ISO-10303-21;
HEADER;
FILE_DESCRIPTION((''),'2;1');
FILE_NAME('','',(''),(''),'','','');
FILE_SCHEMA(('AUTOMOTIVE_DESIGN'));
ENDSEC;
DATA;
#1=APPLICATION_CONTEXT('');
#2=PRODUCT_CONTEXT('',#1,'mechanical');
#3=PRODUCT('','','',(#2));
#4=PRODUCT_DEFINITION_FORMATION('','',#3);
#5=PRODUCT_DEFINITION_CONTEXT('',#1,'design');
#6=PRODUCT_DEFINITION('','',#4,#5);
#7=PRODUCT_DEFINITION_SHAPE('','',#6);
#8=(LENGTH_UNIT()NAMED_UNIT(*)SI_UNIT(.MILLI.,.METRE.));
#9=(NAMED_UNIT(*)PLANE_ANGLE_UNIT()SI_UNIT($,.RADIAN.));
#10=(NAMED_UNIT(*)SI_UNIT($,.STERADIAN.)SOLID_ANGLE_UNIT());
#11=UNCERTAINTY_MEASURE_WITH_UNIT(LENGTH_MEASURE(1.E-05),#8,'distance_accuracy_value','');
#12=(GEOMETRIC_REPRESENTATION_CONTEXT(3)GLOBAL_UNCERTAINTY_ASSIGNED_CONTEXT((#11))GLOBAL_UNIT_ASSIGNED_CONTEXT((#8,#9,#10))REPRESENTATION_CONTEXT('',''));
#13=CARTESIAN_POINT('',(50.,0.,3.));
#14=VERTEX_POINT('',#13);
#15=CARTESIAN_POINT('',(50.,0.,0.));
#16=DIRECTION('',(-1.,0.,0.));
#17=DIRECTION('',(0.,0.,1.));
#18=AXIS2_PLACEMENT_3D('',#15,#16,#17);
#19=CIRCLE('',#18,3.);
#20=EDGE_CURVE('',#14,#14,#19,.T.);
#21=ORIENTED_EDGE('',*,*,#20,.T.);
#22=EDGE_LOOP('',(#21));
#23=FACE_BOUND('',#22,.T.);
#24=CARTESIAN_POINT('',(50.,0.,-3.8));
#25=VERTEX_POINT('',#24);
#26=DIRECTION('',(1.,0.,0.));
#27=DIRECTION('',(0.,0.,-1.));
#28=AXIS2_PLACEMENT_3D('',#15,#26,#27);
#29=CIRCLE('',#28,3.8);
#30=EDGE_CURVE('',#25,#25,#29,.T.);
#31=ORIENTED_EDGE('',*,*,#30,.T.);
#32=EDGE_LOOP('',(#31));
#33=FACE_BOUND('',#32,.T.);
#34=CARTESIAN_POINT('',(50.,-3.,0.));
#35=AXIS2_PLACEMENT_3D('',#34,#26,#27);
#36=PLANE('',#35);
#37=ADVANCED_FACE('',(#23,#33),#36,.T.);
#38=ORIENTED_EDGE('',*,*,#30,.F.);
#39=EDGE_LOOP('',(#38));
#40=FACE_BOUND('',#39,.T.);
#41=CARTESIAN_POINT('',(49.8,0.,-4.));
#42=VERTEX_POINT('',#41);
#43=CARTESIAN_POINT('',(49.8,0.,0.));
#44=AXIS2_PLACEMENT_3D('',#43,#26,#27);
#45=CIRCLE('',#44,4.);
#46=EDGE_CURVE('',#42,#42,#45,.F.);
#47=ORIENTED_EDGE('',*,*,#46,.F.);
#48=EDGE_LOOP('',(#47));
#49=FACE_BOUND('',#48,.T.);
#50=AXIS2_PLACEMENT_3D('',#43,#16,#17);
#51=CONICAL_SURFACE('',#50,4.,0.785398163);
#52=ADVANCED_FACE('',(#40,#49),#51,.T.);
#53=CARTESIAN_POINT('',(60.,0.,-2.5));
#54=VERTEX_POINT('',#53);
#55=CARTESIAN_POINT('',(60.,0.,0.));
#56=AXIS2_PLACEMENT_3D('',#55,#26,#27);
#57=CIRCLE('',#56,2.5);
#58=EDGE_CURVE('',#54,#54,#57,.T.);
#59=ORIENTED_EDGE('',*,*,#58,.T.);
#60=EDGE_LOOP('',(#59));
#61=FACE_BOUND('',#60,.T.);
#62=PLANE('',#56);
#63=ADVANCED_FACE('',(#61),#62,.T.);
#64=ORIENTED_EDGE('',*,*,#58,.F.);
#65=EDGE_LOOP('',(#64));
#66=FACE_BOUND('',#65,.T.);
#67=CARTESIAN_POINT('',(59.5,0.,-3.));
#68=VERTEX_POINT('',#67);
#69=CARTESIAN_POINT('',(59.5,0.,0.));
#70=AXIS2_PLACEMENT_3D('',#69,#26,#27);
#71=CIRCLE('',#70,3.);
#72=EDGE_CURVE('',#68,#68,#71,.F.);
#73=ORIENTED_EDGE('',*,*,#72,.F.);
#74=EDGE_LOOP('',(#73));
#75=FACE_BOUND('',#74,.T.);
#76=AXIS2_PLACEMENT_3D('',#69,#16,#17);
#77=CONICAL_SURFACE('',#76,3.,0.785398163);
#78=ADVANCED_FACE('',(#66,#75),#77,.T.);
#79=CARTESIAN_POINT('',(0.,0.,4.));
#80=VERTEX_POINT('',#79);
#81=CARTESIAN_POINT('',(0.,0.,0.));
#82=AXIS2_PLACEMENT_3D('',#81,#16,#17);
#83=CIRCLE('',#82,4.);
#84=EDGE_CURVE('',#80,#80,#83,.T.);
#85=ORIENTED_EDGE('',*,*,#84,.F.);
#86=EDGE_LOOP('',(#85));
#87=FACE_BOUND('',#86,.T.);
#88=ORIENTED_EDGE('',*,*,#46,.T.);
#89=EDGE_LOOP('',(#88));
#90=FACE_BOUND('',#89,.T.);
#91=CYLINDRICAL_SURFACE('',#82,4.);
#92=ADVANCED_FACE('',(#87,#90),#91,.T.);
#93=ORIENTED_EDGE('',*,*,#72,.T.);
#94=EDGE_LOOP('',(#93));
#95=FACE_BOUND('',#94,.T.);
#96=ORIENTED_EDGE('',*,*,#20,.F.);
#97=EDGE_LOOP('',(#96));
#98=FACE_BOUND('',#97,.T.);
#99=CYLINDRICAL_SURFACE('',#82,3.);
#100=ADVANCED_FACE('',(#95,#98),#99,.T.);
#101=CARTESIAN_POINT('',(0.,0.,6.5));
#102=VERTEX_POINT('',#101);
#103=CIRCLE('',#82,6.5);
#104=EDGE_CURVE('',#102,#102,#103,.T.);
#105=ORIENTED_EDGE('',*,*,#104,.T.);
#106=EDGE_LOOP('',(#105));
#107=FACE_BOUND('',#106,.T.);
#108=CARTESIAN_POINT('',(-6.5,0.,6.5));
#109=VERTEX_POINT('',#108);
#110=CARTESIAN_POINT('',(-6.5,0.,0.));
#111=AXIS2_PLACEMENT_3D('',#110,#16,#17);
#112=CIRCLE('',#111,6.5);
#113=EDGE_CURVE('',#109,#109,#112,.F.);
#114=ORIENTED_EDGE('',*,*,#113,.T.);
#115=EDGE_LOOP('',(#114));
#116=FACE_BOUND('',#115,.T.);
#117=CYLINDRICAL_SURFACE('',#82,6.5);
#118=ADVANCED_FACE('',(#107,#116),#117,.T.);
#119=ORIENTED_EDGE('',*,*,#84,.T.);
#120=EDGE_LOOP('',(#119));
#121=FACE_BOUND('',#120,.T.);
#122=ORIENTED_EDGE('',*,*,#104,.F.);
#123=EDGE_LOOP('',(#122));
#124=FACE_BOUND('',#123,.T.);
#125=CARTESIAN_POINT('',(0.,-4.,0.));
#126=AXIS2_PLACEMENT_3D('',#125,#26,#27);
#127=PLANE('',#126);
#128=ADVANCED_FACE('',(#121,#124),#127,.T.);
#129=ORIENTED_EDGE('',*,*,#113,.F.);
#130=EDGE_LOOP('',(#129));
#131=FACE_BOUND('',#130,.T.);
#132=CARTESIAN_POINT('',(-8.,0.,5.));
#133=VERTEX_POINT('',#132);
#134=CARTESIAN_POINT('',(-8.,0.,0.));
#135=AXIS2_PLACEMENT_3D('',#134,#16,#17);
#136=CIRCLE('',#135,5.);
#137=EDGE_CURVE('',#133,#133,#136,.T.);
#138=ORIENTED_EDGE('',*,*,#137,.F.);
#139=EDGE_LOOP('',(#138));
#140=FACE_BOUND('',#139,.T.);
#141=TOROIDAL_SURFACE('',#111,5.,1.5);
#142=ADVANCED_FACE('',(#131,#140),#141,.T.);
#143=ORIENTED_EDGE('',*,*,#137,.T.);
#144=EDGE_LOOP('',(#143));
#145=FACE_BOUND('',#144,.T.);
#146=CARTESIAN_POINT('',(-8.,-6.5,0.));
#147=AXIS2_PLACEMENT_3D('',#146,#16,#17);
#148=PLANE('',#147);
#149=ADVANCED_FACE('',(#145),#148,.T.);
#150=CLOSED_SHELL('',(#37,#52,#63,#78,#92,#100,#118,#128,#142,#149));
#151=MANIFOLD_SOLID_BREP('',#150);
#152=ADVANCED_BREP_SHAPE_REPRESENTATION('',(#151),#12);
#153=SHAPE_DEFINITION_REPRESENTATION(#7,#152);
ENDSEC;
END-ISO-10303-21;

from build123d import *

# Parameters (mm, degrees)
CHANFREIN1_SIZE = 0.5
CONG_1_R        = 1.5
CHANFREIN2_SIZE = 0.2


with BuildPart() as part:
    # Esquisse1 → Base-Révolution (revolve)
    with BuildSketch(Plane.XY, mode=Mode.PRIVATE) as base_r_volution_sk:
        Polygon((60, 0), (60, -3), (50, -3), (50, -4), (0, -4), (0, -6.5), (-8, -6.5), (-8, 0), align=None)
    revolve(base_r_volution_sk.sketch.rotate(Axis((0, 0, 0), (1, 0, 0)), 270), axis=Axis((0, 0, 0), (1, 0, 0)))

    # Chanfrein1
    chanfrein1_edges = [part.edges().sort_by_distance(p)[0] for p in [
        (60, 0, -3),
    ]]
    chamfer(chanfrein1_edges, length=CHANFREIN1_SIZE)

    # Congé1
    cong_1_edges = [part.edges().sort_by_distance(p)[0] for p in [
        (-8, 0, -6.5),
    ]]
    fillet(cong_1_edges, radius=CONG_1_R)

    # Chanfrein2
    chanfrein2_edges = [part.edges().sort_by_distance(p)[0] for p in [
        (50, 0, -4),
    ]]
    chamfer(chanfrein2_edges, length=CHANFREIN2_SIZE)


solid = part.part
